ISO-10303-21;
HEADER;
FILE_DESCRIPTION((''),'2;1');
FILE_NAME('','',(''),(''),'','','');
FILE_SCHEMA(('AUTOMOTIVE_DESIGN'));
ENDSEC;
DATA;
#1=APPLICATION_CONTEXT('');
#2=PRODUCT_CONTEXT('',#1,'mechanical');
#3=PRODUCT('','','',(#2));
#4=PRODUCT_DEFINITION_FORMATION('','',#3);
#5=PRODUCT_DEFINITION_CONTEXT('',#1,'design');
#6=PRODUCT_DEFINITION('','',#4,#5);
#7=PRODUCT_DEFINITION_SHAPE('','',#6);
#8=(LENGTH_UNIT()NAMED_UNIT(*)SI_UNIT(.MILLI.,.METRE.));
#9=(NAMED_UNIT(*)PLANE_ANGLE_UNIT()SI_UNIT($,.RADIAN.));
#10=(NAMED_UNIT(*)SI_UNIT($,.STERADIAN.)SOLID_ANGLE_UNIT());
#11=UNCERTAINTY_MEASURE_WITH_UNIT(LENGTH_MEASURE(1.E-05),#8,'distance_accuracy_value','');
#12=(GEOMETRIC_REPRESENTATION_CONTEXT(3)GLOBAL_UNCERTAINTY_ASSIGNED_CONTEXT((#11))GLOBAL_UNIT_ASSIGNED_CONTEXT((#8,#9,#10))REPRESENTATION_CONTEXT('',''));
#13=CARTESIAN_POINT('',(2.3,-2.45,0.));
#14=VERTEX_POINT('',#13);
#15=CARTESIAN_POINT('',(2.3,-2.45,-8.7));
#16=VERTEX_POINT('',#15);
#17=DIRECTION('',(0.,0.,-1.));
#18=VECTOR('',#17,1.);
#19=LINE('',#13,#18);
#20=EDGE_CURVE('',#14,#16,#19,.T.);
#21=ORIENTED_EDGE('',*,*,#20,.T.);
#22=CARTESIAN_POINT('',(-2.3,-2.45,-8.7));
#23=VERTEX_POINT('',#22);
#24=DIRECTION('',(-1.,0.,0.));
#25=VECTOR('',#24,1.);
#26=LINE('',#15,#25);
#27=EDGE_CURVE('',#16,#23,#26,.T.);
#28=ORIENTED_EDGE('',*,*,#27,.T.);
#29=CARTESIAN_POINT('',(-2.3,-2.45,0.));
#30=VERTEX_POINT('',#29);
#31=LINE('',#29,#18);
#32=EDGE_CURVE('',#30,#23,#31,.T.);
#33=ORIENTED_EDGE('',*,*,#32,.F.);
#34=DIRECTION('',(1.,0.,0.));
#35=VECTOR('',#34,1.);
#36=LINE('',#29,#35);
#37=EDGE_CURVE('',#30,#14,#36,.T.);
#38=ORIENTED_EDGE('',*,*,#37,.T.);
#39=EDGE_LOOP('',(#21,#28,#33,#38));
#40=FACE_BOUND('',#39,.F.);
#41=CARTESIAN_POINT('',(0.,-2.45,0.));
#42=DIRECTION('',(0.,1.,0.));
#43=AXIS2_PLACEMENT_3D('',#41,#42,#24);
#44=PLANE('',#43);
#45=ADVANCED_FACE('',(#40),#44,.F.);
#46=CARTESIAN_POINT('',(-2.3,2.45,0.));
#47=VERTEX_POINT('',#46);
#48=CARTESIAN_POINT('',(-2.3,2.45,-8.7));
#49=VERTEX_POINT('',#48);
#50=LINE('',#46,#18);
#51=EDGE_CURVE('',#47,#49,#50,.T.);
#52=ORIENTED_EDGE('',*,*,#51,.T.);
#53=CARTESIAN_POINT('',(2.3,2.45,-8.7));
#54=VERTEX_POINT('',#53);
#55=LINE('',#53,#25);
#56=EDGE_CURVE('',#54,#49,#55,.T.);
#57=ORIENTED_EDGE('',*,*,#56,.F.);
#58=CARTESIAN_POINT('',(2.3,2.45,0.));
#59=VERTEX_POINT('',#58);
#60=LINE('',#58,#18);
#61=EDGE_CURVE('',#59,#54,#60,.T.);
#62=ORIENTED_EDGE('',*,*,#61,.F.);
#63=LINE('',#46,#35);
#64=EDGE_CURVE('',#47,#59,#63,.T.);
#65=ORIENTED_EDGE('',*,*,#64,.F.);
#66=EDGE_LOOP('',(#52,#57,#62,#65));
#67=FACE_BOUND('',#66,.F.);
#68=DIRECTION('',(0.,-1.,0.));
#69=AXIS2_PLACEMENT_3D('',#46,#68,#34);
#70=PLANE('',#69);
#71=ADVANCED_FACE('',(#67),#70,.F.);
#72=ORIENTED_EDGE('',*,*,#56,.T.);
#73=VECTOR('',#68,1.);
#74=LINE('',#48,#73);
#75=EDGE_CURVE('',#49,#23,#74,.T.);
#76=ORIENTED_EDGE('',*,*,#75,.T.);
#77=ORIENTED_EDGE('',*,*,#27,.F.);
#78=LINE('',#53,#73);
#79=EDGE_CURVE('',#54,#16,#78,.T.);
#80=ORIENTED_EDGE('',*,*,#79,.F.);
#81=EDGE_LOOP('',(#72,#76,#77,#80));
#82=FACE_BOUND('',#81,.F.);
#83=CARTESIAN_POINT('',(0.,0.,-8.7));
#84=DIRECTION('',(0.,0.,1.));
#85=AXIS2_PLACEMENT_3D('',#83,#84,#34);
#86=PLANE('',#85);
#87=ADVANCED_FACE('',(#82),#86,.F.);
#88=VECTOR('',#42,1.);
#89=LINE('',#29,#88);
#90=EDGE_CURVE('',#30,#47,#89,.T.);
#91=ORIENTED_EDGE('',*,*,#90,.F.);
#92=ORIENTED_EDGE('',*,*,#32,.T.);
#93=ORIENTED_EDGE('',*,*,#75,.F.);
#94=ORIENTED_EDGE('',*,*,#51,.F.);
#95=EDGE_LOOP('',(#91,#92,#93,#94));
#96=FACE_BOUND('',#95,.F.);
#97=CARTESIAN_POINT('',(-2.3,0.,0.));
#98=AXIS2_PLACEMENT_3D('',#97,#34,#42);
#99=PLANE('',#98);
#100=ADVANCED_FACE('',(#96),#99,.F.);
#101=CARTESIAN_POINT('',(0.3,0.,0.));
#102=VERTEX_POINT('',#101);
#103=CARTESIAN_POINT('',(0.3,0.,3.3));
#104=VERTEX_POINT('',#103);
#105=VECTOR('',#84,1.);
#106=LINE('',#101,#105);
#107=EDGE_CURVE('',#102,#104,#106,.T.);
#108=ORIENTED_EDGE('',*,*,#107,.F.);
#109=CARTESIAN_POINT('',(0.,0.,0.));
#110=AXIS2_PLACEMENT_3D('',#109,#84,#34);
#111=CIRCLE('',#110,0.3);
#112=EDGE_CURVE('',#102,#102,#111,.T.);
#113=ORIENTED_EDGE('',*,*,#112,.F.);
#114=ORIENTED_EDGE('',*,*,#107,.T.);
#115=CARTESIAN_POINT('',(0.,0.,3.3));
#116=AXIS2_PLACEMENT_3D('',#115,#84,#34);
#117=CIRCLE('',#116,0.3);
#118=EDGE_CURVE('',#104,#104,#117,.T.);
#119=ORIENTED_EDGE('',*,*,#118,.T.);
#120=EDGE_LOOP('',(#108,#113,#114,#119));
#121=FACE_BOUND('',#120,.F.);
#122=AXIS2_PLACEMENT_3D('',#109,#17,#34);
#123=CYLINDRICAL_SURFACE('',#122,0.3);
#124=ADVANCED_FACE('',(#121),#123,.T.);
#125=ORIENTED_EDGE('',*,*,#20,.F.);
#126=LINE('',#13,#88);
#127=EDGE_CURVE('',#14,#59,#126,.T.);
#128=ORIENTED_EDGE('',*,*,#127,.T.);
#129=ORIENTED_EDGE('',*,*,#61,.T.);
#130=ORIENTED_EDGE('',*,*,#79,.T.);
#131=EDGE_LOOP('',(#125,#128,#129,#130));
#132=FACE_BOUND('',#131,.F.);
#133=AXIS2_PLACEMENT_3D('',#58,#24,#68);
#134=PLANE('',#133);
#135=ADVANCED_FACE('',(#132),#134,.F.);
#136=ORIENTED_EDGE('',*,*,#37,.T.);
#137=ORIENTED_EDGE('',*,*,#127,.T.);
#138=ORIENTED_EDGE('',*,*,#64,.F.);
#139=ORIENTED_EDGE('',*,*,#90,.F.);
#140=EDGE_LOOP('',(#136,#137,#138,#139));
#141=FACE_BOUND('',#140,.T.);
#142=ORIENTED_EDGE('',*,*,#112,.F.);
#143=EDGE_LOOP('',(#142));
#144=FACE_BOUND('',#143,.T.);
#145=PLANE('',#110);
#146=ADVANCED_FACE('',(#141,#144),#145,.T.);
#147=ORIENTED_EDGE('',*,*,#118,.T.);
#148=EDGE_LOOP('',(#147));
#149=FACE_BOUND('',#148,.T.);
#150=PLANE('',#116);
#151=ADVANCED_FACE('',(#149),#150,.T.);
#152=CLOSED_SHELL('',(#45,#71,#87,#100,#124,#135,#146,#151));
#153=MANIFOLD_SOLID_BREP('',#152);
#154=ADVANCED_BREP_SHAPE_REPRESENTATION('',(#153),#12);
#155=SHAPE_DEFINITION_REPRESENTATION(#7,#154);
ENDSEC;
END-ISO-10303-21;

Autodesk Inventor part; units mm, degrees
ref_plane "YZ Plane" through (0, 0, 0) normal (1, 0, 0) x (0, 1, 0)
ref_plane "XZ Plane" through (0, 0, 0) normal (0, 1, 0) x (-1, 0, 0)
ref_plane "XY Plane" through (0, 0, 0) normal (0, 0, 1) x (1, 0, 0)
sketch "Sketch1" plane through (0, 0, 0) normal (0, 0, 1) x (1, 0, 0)
  line L0 (-2.3, 2.45) -> (2.3, 2.45)
  line L1 (2.3, 2.45) -> (2.3, -2.45)
  line L2 (2.3, -2.45) -> (-2.3, -2.45)
  line L3 (-2.3, -2.45) -> (-2.3, 2.45)
  line L4 (0, 3.43) -> (0, -3.43) projected
  line L5 (-3.22, 0) -> (3.22, 0) projected
  point P0 (0, 0)
  dimension "d0" = 4.6
  dimension "d1" = 4.9
extrude "Body" add sketch "Sketch1" against normal blind 8.7
sketch "Sketch2" plane through (0, 0, 0) normal (0, 0, 1) x (1, 0, 0)
  circle A0 centre (0, 0) radius 0.3
  dimension "d4" = 0.6
extrude "Extrusion2" add sketch "Sketch2" along normal blind 3.3
properties part number "Jinlong_Z4TH5B1241992_VibrationMotor_NoHub_Mockup"
